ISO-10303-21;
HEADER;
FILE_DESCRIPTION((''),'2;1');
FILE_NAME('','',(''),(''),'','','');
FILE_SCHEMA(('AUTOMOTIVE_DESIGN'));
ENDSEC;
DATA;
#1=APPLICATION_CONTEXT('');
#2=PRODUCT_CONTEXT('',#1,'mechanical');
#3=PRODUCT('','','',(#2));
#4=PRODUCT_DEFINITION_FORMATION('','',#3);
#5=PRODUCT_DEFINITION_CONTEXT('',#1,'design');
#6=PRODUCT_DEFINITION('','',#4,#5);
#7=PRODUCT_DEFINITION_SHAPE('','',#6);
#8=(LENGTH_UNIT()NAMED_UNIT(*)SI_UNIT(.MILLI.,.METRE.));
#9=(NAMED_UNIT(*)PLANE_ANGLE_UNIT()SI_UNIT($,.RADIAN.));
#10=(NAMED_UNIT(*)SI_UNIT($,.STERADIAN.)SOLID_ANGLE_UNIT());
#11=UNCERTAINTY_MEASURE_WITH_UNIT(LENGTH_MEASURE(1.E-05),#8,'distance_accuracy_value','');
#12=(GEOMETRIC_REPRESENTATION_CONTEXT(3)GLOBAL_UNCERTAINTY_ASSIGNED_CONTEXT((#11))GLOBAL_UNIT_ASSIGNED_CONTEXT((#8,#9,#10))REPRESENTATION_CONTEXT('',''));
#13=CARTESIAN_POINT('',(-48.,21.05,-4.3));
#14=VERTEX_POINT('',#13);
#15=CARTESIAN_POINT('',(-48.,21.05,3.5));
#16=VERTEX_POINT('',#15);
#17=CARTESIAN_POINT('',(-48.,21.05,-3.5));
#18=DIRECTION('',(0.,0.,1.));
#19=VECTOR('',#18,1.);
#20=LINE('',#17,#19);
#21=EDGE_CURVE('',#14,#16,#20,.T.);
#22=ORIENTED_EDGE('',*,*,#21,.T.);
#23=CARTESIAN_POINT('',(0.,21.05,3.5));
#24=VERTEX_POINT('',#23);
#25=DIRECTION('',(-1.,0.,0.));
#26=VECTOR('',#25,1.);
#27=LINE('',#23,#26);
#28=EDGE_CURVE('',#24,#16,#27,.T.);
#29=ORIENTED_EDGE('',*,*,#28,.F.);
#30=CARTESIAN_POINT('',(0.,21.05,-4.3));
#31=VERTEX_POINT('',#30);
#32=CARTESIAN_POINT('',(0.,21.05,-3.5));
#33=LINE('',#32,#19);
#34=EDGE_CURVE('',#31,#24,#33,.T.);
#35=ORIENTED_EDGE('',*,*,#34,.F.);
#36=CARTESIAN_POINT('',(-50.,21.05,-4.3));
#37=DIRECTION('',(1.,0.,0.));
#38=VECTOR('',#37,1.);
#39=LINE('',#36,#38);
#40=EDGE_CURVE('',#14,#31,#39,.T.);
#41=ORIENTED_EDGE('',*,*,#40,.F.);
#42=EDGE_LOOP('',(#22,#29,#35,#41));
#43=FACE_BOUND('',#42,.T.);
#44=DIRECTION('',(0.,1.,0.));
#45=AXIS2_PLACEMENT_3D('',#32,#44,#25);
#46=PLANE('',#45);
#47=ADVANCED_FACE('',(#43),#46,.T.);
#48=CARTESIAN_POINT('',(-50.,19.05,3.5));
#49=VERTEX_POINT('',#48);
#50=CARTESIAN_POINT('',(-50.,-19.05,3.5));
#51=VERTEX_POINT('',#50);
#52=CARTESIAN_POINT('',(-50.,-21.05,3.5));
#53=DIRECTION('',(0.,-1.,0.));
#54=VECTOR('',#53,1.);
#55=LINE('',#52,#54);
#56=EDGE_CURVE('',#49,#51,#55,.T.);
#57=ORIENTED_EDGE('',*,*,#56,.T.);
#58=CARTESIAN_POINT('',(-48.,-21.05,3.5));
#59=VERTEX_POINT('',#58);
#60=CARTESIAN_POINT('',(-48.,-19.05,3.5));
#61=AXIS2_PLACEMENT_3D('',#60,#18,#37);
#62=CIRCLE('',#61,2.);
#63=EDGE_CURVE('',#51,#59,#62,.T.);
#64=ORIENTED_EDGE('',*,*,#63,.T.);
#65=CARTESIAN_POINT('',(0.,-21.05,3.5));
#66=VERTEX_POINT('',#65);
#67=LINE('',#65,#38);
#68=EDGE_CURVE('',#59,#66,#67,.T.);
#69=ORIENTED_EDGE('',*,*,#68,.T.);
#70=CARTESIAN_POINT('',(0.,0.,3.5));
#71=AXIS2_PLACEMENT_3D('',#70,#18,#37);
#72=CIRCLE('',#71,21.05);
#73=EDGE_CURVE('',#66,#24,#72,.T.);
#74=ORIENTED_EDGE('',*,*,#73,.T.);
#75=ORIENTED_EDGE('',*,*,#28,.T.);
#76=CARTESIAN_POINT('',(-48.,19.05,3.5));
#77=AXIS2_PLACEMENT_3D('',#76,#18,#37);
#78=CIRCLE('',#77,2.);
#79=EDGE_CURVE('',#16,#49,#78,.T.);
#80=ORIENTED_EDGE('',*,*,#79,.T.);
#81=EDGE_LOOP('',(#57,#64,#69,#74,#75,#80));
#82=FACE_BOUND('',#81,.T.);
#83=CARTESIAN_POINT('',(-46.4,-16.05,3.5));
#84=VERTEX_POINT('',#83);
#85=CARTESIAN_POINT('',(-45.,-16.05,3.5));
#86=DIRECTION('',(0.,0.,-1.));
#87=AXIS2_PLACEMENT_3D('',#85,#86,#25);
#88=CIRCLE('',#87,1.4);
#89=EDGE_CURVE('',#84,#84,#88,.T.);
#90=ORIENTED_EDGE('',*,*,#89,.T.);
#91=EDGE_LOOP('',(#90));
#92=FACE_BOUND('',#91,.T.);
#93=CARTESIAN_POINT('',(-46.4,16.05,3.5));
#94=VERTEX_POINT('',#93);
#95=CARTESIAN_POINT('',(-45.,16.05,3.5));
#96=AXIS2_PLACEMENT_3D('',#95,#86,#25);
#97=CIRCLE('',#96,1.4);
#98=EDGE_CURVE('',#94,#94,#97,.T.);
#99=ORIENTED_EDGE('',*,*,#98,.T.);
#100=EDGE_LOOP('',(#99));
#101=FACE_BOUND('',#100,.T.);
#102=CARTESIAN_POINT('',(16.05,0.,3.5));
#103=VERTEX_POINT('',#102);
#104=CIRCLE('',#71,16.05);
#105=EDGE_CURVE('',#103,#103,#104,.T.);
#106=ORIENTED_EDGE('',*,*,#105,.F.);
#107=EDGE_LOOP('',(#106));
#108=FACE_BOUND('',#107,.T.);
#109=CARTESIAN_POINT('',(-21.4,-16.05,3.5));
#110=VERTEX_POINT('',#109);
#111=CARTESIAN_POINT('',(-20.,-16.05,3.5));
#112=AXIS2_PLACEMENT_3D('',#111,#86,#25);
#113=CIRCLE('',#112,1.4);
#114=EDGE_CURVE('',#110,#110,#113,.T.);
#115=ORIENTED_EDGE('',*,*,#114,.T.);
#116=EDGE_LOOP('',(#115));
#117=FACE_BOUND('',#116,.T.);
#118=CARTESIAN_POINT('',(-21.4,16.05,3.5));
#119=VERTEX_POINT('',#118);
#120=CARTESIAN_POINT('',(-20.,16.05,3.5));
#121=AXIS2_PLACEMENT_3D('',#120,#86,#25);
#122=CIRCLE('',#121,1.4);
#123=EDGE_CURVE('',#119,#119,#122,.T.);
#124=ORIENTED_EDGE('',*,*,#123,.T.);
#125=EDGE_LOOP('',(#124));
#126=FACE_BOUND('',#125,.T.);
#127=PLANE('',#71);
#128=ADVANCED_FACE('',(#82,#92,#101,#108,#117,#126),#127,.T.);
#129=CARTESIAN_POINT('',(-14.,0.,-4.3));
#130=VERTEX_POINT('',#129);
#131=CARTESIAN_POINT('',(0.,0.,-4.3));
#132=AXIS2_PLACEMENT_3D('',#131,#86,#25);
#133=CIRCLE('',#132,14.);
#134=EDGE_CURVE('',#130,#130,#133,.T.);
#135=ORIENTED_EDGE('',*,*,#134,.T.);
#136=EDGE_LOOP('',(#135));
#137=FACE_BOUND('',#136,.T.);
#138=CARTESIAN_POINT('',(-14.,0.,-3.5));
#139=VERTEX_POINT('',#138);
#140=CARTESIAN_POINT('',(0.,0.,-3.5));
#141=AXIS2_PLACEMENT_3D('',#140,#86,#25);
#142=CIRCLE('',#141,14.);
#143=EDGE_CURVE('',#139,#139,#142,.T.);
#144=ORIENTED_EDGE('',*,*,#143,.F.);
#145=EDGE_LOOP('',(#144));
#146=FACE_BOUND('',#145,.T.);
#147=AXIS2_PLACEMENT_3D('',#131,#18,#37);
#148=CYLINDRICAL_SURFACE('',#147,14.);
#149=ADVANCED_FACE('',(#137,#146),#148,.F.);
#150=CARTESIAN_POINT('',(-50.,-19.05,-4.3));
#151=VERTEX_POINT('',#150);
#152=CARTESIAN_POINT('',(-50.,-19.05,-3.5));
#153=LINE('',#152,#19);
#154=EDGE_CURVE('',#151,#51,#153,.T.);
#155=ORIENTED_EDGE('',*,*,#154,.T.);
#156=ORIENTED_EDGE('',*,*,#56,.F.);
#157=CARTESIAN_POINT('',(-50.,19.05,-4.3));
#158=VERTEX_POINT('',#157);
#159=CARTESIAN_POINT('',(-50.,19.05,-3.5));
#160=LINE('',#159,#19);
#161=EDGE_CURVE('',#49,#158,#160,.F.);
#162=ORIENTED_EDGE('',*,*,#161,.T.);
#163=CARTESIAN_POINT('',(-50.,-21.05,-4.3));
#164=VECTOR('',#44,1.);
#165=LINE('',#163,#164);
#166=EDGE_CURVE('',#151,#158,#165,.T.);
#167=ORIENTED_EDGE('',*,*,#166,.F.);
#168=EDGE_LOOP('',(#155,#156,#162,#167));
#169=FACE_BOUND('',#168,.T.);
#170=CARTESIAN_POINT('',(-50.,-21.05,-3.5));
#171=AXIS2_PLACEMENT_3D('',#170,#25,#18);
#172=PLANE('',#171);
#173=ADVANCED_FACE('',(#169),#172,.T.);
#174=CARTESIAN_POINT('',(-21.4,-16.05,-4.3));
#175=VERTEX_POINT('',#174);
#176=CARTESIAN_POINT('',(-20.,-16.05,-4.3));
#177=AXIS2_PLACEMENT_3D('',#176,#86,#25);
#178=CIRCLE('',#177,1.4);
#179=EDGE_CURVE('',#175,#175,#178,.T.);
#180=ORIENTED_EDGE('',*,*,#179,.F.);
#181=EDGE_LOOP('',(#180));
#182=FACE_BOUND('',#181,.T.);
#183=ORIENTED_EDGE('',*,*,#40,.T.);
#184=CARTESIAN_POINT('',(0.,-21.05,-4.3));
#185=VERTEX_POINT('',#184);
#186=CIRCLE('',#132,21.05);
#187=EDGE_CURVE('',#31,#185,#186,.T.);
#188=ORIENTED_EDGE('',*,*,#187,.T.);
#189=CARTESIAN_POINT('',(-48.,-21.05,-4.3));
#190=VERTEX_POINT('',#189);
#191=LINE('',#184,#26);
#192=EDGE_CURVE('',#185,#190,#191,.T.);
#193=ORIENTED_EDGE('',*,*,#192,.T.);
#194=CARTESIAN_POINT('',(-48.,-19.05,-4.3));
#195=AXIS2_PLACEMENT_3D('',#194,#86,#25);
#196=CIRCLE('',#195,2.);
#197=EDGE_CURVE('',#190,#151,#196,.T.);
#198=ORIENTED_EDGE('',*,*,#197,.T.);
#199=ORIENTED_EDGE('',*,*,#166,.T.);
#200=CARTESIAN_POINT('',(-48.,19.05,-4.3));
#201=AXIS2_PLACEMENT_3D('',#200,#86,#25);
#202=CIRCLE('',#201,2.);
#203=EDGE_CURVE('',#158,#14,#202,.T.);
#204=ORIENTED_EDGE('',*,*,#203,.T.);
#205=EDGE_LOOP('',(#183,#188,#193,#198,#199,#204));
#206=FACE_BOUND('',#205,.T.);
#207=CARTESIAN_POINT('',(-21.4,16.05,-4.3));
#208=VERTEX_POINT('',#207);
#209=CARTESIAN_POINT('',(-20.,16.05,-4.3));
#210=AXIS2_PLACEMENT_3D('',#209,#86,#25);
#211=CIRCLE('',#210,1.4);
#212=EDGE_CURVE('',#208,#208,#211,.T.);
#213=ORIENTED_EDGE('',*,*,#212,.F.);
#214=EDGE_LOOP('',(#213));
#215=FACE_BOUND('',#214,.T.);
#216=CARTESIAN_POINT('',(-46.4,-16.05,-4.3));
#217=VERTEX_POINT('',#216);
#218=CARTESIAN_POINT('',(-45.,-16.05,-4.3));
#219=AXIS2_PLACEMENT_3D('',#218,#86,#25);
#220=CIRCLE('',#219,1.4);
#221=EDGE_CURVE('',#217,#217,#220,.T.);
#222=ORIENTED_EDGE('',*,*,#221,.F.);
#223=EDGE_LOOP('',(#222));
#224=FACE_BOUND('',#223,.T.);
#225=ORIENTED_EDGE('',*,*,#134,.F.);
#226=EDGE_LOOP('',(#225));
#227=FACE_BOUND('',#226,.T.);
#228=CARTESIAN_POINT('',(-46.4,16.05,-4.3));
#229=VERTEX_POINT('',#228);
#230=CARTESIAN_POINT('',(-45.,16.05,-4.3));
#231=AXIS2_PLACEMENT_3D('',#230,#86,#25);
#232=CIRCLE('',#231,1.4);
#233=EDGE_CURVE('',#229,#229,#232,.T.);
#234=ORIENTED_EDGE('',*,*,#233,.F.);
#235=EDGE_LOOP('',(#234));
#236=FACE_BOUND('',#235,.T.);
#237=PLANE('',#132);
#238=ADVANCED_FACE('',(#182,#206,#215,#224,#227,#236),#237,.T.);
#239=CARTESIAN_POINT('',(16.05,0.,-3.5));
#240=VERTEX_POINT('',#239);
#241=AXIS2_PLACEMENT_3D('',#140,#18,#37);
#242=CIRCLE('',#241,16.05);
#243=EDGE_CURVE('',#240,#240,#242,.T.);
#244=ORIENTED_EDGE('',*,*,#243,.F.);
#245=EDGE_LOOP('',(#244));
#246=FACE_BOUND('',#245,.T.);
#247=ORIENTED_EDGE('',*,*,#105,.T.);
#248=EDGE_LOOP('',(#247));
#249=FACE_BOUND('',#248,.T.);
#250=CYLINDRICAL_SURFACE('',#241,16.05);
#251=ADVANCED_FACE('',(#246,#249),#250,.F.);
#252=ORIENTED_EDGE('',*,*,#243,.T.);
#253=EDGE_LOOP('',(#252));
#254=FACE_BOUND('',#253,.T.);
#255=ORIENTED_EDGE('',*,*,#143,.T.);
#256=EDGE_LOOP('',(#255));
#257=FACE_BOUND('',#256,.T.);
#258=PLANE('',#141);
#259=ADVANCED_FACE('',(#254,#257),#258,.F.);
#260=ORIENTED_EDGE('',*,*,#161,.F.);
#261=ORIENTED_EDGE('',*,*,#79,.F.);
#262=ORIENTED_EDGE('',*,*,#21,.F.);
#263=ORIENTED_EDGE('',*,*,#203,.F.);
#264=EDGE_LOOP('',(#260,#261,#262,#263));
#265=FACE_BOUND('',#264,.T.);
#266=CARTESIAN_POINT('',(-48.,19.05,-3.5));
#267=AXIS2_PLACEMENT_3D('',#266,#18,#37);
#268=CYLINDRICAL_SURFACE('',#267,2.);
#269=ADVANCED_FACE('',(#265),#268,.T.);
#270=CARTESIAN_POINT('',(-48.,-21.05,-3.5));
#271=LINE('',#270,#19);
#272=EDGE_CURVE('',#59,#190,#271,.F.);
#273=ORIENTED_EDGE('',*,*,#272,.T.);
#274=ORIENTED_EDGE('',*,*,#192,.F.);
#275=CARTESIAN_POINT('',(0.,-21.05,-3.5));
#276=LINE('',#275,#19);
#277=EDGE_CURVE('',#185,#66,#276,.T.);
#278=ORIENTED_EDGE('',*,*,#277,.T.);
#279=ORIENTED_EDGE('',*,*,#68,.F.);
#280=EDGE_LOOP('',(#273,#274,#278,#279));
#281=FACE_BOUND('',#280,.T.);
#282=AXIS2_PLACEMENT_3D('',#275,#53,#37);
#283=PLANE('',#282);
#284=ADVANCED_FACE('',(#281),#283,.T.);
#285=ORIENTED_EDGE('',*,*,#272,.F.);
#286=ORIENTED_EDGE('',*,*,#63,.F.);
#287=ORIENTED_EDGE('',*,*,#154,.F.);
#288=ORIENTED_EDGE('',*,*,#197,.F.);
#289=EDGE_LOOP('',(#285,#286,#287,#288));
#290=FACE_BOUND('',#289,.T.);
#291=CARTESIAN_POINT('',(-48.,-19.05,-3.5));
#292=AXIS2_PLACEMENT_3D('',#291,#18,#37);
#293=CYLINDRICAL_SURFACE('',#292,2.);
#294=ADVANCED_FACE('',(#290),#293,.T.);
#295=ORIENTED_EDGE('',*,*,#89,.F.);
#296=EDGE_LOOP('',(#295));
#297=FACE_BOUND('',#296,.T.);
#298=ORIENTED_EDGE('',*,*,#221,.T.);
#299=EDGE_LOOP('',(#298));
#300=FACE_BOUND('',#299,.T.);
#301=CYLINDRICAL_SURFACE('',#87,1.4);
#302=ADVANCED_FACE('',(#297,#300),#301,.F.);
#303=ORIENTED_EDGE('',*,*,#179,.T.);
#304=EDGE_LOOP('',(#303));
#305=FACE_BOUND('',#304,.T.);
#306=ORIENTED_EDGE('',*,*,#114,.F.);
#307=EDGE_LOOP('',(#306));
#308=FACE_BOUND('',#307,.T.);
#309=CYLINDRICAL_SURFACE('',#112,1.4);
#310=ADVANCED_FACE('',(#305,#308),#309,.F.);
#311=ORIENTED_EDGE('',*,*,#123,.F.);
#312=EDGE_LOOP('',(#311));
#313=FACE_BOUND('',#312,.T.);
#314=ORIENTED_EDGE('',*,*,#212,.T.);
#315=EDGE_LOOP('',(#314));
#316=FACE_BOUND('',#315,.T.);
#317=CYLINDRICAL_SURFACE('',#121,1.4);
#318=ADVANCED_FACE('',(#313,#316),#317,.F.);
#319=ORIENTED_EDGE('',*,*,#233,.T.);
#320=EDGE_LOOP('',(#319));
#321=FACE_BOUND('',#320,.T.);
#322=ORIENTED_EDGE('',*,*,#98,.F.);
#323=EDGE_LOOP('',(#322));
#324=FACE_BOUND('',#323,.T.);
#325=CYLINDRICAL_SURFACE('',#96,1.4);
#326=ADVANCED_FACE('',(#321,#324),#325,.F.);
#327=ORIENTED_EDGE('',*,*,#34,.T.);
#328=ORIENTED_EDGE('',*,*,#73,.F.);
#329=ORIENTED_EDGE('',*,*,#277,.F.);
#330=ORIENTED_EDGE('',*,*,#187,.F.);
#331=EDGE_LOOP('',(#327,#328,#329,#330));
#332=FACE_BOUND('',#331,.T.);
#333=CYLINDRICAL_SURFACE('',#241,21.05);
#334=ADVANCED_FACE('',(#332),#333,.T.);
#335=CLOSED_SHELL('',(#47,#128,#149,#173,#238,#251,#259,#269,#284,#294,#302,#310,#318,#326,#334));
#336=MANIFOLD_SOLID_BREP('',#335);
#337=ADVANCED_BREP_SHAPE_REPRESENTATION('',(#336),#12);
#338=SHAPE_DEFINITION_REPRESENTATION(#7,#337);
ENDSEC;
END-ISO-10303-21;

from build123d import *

# Parameters (mm, degrees)
BOSS_EXTRUDE1_DEPTH      = 3.5
BOSS_EXTRUDE1_DEPTH_BACK = 3.5
SKETCH1_R                = 16.05
BOSS_EXTRUDE2_START      = 0.8
SKETCH2_R                = 14
BOSS_EXTRUDE2_DEPTH      = 0.8
SKETCH3_R                = 1.4
CUT_EXTRUDE1_DEPTH       = 55.80823387
FILLET1_R                = 2


with BuildPart() as part:
    # Sketch1 → Boss-Extrude1 (new, two sides: drawn at the far end of the back side and taken through both)
    with BuildSketch(Plane.XY.offset(-BOSS_EXTRUDE1_DEPTH_BACK)):
        with BuildLine():
            Line((0, 21.05), (-50, 21.05))
            Line((-50, 21.05), (-50, -21.05))
            Line((-50, -21.05), (0, -21.05))
            ThreePointArc((0, -21.05), (21.05, 0), (0, 21.05))
        make_face()
        Circle(SKETCH1_R, mode=Mode.SUBTRACT)
    extrude(amount=BOSS_EXTRUDE1_DEPTH + BOSS_EXTRUDE1_DEPTH_BACK)

    # Sketch2 → Boss-Extrude2 (add)
    with BuildSketch(Plane(origin=(0, 0, -3.5), x_dir=(-1, 0, 0), z_dir=(0, 0, -1)).offset(BOSS_EXTRUDE2_START)):
        with BuildLine():
            Line((0, -21.05), (50, -21.05))
            Line((50, -21.05), (50, 21.05))
            Line((50, 21.05), (0, 21.05))
            ThreePointArc((0, 21.05), (-21.05, 0), (0, -21.05))
        make_face()
        Circle(SKETCH2_R, mode=Mode.SUBTRACT)
    extrude(amount=-BOSS_EXTRUDE2_DEPTH)

    # Sketch3 → Cut-Extrude1 (cut, through all)
    with BuildSketch(Plane(origin=(0, 0, -4.3), x_dir=(-1, 0, 0), z_dir=(0, 0, -1))):
        with Locations((20, 16.05)):
            Circle(SKETCH3_R)
        with Locations((45, 16.05)):
            Circle(SKETCH3_R)
        with Locations((45, -16.05)):
            Circle(SKETCH3_R)
        with Locations((20, -16.05)):
            Circle(SKETCH3_R)
    extrude(amount=-CUT_EXTRUDE1_DEPTH, mode=Mode.SUBTRACT)

    # Fillet1
    fillet1_edges = [part.edges().sort_by_distance(p)[0] for p in [
        (-50, -21.05, -0.4),
        (-50, 21.05, -0.4),
    ]]
    fillet(fillet1_edges, radius=FILLET1_R)


solid = part.part
